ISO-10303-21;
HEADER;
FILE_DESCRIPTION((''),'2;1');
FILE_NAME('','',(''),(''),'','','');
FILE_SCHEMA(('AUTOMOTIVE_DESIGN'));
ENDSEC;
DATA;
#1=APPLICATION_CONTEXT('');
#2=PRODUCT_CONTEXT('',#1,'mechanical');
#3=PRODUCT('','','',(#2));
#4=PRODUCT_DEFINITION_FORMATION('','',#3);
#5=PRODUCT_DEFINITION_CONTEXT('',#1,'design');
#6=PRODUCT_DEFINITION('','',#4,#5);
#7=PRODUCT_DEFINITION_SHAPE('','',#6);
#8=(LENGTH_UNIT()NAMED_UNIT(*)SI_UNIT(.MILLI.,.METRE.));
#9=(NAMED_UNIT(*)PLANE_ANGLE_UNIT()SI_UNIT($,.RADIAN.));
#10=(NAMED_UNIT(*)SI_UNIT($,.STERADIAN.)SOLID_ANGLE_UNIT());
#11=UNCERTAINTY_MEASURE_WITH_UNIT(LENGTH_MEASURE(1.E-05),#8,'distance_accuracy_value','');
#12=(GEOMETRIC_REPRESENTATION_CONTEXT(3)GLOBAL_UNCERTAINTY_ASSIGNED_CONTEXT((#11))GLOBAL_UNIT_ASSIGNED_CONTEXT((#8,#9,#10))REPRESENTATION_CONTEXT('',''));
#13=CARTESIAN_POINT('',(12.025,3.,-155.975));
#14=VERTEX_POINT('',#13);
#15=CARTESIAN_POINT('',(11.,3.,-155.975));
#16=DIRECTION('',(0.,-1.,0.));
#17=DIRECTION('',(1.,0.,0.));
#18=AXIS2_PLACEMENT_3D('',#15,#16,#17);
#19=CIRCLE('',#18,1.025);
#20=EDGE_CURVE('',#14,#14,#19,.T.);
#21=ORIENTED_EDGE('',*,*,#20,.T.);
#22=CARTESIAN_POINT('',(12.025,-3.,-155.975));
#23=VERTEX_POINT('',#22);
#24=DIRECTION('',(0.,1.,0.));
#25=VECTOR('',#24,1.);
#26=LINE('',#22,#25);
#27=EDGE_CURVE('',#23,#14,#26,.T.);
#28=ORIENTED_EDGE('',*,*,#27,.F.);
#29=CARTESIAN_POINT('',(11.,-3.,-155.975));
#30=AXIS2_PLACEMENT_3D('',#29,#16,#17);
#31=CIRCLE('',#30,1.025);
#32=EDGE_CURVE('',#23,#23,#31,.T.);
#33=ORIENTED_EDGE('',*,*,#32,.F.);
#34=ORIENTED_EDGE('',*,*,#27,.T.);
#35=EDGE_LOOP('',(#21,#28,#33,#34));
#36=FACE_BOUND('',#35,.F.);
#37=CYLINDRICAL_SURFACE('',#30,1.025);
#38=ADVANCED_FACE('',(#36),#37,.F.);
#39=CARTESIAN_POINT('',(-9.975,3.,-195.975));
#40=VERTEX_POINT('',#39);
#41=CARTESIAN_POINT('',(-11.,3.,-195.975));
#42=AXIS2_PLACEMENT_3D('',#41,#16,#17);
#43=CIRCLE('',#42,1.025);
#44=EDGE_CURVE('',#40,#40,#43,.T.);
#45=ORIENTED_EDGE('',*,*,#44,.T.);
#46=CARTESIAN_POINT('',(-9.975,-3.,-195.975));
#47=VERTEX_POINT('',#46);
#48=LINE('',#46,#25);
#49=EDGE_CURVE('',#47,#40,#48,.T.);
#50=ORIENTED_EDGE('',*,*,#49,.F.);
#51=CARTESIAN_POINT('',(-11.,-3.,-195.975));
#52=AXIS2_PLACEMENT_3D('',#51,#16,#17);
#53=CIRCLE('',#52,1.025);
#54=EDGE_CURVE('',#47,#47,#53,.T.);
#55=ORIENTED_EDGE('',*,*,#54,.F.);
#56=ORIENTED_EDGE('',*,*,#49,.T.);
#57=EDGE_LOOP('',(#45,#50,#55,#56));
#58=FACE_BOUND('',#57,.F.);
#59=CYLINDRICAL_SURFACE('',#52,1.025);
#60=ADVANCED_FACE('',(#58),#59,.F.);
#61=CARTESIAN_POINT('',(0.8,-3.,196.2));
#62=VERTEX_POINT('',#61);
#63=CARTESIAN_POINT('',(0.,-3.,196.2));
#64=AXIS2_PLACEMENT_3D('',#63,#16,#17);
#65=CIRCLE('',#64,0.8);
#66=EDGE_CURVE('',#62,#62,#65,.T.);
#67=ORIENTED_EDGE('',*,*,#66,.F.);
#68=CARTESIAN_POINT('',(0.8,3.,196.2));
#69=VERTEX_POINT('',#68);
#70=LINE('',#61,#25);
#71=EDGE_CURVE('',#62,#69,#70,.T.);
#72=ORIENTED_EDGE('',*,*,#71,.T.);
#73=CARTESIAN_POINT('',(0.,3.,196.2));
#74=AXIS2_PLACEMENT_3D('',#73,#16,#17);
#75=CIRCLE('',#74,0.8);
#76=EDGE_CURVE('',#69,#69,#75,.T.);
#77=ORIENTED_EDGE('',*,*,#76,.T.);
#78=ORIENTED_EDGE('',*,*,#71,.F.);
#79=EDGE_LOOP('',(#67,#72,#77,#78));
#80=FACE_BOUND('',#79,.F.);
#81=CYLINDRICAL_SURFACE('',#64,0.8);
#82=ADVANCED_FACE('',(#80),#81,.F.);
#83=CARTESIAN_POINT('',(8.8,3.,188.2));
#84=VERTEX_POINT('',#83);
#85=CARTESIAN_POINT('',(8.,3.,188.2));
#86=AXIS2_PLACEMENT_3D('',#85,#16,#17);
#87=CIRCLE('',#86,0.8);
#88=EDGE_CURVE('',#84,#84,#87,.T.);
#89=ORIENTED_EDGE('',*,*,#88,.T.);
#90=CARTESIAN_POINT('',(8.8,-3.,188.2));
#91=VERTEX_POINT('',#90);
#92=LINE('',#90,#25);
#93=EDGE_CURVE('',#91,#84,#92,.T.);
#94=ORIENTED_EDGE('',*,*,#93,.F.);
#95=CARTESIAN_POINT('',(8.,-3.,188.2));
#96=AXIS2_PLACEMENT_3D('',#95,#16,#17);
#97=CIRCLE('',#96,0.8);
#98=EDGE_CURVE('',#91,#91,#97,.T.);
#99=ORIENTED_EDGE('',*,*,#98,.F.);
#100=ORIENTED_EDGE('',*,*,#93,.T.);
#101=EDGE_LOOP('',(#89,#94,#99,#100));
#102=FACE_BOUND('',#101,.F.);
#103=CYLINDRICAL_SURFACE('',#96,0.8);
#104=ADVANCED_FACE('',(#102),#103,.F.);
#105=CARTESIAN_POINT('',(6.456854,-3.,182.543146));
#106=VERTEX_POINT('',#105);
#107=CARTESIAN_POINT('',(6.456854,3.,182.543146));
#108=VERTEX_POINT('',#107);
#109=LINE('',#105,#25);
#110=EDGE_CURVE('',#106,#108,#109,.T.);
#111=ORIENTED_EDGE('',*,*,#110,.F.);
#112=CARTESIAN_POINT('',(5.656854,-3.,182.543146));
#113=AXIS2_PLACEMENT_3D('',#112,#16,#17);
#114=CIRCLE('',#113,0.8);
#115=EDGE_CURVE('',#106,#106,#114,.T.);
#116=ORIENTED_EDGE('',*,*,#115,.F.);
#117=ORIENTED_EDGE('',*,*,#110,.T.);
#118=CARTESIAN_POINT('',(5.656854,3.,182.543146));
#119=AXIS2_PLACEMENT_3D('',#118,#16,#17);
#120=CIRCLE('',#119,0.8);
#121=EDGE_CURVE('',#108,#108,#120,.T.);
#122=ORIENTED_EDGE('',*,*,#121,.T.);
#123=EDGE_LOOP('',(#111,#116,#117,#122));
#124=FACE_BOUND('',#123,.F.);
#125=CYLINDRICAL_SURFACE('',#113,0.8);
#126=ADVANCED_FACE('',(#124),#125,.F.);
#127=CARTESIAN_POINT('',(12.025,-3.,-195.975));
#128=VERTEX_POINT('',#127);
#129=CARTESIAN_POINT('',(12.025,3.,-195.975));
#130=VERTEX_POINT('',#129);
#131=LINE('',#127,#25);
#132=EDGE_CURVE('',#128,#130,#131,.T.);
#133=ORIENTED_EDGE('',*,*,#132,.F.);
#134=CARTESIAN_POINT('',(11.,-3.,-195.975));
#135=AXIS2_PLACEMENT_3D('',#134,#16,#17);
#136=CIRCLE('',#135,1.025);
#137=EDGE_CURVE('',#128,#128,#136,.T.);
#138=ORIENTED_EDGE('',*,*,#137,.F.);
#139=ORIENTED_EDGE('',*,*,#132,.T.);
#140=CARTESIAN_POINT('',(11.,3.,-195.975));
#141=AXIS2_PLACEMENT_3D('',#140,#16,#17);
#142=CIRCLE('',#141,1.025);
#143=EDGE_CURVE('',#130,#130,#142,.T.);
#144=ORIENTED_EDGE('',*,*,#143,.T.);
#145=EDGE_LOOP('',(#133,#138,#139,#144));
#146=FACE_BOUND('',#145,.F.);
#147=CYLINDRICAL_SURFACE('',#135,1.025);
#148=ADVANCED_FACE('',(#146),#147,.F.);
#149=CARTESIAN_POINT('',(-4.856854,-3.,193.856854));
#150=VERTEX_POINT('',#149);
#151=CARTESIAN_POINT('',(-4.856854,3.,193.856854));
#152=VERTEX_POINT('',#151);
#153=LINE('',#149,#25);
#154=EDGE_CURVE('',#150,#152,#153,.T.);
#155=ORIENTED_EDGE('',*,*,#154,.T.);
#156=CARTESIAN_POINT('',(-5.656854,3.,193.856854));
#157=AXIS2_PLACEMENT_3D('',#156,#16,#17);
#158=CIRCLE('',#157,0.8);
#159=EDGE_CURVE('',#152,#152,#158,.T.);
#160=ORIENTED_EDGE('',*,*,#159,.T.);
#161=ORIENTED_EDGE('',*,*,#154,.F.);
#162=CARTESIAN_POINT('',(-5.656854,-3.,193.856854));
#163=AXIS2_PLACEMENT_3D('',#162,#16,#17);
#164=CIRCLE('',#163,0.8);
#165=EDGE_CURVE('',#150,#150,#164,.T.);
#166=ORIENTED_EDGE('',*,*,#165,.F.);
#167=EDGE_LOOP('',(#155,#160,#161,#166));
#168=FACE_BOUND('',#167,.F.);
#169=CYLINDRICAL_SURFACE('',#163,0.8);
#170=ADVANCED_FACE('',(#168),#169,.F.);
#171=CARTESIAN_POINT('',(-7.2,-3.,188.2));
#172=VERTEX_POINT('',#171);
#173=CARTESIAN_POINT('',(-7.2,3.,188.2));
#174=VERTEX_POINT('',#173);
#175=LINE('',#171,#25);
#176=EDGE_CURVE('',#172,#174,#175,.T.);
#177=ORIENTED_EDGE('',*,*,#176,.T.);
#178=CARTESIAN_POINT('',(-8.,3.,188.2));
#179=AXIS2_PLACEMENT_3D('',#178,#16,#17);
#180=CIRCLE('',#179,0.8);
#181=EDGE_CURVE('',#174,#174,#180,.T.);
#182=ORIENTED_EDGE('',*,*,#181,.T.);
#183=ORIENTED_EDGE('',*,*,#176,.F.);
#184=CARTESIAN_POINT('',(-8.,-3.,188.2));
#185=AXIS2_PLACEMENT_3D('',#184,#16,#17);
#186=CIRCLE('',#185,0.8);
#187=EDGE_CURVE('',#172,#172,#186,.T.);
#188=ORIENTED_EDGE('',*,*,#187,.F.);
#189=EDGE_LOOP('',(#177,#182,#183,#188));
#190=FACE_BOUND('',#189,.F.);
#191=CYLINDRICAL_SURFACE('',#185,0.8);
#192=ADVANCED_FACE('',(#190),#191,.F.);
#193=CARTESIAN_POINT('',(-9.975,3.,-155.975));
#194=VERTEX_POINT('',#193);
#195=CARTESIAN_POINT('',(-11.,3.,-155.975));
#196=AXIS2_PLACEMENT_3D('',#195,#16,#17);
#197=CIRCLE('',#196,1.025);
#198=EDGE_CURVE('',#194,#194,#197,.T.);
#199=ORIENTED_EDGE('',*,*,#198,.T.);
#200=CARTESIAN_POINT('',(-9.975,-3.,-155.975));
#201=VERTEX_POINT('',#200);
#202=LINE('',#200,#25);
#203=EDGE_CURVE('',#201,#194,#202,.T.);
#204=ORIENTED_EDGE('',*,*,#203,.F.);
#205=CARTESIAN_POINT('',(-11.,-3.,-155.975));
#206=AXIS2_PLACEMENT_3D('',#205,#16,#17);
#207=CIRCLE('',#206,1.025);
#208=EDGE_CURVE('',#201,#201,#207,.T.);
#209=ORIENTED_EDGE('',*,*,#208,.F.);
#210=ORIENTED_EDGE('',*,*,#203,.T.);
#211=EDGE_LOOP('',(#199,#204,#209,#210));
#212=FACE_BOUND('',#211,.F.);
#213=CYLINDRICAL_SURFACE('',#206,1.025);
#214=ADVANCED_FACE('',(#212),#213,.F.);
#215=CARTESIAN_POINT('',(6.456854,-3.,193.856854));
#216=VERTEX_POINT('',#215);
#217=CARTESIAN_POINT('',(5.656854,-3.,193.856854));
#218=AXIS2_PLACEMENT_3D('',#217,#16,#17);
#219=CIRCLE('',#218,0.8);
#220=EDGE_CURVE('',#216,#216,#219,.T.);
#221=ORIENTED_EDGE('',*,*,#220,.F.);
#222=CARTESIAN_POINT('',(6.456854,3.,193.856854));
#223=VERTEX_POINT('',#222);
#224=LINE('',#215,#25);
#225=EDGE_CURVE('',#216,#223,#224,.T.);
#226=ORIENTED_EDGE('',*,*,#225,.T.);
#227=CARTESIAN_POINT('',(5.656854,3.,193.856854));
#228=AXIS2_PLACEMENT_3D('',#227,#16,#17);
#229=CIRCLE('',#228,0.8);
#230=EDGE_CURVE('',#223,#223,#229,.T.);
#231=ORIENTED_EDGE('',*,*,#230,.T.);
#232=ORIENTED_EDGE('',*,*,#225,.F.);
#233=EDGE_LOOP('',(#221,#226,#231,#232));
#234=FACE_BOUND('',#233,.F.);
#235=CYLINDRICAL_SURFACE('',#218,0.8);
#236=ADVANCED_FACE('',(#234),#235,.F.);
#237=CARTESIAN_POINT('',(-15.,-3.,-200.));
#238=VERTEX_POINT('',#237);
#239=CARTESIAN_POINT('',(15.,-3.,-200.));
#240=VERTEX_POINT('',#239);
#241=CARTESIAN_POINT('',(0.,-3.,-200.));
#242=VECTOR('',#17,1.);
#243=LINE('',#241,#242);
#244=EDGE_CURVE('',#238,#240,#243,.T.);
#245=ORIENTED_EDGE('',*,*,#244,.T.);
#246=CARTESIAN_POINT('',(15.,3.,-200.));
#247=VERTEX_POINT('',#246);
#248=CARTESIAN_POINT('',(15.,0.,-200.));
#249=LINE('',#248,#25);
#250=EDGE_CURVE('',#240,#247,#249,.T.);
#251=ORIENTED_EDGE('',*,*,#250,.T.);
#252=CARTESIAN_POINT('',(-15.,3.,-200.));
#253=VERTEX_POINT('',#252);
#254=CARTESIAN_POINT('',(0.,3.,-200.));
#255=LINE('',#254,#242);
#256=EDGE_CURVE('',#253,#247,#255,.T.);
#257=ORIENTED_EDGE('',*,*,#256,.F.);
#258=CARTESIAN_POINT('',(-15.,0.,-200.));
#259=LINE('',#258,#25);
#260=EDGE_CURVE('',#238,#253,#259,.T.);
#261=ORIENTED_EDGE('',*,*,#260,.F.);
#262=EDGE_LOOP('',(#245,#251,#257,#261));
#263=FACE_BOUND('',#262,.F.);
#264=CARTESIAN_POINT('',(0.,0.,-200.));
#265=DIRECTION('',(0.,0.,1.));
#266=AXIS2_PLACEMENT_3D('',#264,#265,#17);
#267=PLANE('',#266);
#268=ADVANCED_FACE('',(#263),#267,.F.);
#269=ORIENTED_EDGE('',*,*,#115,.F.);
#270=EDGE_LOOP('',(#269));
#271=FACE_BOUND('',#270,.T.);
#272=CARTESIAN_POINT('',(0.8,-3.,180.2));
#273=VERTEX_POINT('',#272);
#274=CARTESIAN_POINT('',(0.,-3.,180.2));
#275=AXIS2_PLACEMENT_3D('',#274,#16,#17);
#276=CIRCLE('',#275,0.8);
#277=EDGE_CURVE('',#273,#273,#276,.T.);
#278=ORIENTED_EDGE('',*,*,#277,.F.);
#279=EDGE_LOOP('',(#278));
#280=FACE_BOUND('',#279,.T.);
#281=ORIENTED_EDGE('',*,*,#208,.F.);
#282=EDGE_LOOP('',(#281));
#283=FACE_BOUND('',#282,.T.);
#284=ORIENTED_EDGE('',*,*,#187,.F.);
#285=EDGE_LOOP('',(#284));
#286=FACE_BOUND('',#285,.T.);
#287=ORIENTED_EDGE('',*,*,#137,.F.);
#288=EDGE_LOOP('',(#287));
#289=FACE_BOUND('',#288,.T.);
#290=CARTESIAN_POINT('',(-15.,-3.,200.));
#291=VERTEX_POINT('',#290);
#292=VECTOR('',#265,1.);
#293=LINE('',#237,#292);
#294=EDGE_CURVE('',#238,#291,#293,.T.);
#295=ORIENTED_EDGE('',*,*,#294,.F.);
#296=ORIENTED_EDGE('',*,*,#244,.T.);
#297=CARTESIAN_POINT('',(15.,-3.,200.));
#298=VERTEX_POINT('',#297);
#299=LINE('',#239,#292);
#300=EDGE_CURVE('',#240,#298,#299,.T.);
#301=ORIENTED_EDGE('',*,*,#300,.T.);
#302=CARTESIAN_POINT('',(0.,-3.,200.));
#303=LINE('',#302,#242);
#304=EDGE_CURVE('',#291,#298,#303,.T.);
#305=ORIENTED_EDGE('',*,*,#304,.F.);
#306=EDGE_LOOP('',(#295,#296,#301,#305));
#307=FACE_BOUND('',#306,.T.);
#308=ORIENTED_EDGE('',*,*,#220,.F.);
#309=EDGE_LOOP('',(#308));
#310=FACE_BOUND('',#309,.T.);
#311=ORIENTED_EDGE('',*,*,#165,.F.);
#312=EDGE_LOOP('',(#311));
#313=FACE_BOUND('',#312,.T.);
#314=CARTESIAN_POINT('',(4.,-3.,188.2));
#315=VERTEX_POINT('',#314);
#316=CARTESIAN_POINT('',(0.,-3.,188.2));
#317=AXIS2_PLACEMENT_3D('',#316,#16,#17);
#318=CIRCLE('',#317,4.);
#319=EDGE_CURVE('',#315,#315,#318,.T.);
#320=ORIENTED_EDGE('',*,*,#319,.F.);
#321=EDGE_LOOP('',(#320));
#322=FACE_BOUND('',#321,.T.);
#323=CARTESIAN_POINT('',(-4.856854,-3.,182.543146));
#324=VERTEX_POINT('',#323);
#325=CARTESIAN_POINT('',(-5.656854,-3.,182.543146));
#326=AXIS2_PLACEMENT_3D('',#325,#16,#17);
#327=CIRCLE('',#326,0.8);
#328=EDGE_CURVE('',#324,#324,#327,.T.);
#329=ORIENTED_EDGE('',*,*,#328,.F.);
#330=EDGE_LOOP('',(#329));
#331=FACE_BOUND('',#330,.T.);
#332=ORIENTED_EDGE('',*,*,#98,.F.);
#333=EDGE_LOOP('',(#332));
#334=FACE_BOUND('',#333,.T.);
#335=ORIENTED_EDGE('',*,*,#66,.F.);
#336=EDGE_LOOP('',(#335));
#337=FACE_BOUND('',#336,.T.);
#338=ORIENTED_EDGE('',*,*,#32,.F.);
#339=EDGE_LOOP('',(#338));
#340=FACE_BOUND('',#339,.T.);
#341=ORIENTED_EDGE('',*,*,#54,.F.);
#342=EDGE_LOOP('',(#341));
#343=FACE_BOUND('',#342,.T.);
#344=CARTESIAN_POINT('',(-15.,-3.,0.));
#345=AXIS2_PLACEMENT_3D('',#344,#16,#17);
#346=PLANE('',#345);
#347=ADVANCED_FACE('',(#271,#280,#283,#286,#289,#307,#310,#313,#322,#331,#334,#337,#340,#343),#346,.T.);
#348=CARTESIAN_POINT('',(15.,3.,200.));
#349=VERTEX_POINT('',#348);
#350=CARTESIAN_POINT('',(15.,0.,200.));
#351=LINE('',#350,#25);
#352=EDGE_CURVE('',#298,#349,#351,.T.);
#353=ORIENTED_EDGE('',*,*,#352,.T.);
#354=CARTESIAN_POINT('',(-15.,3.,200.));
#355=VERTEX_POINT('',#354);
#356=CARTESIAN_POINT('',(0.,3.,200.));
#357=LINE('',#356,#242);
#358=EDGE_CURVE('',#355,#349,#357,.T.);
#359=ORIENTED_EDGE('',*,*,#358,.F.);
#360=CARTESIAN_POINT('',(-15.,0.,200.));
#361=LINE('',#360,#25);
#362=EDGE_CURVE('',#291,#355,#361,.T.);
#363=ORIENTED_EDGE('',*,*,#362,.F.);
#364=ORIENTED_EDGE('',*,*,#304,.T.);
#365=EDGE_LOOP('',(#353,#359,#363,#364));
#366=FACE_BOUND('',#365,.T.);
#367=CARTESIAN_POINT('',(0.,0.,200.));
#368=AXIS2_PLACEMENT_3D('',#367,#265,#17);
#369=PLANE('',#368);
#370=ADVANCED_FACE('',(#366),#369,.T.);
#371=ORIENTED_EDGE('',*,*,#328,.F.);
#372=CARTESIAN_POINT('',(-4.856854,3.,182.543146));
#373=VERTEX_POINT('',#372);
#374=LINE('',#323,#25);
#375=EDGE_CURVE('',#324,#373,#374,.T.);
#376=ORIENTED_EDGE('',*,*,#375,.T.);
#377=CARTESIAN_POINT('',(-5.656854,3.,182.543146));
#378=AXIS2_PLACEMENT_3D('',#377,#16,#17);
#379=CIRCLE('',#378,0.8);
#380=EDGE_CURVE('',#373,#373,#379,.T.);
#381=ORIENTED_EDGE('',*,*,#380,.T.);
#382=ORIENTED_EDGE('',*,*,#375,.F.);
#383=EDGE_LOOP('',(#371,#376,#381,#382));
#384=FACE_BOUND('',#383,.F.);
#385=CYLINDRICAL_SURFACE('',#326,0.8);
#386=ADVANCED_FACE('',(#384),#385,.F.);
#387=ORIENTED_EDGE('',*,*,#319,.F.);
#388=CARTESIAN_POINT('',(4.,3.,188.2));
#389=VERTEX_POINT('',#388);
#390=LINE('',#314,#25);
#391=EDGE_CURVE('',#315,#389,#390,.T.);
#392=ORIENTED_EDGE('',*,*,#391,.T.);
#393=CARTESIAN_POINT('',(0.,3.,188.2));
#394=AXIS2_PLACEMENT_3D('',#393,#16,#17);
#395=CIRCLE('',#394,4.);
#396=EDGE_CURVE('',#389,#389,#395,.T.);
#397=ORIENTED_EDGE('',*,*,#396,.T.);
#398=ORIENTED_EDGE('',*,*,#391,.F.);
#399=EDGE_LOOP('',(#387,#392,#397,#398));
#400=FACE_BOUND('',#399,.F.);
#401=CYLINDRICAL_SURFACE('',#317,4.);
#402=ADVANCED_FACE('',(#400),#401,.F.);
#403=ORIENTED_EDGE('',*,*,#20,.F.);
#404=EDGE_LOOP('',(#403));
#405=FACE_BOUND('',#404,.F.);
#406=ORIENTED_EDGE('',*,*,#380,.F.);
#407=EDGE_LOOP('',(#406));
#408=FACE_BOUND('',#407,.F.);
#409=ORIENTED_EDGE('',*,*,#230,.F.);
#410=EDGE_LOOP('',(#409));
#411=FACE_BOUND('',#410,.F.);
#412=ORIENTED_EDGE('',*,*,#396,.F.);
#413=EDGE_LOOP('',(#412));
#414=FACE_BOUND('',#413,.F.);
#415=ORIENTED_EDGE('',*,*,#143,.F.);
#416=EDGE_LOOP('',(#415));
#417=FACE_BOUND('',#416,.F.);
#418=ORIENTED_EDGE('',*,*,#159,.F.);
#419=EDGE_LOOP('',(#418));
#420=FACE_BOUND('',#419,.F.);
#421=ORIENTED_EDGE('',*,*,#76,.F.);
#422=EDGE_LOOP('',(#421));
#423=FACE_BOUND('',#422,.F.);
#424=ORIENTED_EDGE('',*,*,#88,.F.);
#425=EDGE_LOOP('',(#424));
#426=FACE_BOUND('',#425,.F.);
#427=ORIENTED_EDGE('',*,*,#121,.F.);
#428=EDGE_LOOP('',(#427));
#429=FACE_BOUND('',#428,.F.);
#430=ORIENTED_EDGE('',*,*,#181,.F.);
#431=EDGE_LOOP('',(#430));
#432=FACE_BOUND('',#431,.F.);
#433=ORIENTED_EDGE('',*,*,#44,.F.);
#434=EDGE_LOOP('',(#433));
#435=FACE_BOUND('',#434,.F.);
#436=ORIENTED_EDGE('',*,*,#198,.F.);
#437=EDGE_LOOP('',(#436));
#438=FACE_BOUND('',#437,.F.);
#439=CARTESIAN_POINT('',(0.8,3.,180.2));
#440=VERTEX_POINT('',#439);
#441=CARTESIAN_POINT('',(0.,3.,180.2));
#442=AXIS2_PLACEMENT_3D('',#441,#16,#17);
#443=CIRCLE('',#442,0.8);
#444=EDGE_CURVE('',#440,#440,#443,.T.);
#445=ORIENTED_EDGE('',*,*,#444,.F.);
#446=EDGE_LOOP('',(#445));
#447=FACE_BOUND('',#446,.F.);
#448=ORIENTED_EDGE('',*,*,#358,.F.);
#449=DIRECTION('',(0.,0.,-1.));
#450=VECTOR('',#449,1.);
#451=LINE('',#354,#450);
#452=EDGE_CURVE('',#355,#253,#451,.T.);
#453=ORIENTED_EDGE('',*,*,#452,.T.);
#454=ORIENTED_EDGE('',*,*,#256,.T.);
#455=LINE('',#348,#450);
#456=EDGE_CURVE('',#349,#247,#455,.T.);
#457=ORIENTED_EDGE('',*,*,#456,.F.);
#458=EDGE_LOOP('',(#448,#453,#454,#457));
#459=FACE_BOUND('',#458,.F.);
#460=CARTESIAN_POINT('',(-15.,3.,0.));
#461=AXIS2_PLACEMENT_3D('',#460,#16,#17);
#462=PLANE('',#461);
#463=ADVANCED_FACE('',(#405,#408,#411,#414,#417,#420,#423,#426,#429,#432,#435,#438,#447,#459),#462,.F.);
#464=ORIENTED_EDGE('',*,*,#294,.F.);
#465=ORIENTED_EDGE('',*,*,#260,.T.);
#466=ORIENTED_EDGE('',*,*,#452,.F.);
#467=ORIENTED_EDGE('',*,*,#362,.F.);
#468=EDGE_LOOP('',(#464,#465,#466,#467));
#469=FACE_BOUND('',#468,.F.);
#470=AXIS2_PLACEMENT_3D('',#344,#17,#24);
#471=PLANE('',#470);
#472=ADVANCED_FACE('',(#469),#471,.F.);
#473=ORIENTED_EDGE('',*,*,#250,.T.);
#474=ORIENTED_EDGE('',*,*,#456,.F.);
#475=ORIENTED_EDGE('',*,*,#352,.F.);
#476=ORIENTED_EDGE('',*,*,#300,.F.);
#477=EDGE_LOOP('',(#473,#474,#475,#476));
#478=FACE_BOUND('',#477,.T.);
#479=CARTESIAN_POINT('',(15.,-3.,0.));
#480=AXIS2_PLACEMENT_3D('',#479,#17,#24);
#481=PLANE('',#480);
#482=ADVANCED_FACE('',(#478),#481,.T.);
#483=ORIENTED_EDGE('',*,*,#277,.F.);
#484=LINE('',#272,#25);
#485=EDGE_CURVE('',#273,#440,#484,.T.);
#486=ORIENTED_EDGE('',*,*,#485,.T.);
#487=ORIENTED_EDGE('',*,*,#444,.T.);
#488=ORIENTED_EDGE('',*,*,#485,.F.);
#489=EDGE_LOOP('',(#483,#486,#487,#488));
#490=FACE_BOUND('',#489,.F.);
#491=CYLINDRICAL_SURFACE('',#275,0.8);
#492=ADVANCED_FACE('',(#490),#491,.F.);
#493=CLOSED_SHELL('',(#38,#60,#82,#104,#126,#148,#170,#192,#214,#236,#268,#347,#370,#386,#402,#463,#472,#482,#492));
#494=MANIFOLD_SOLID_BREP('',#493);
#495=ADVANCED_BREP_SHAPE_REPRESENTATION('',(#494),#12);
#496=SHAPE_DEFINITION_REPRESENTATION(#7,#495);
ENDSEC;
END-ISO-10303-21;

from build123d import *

# Parameters (mm, degrees)
F0_W     = 30
F0_H     = 6
F1_DEPTH = 200
F2_R     = 0.8
F2_R_2   = 4
F2_R_3   = 1.025
F3_DEPTH = 6


with BuildPart() as f1:
    # F0 (on Top) → F1 (new body, symmetric)
    with BuildSketch(Plane.XY):
        Rectangle(F0_W, F0_H)
    extrude(amount=F1_DEPTH, both=True)

    # F2 (on face) → F3 (cut, through all)
    with BuildSketch(Plane.XZ.offset(3)):
        with Locations((0, 196.2)):
            Circle(F2_R)
        with Locations((0, 188.2)):
            Circle(F2_R_2)
        with Locations((-5.656854, 193.856854)):
            Circle(F2_R)
        with Locations((-8, 188.2)):
            Circle(F2_R)
        with Locations((-5.656854, 182.543146)):
            Circle(F2_R)
        with Locations((0, 180.2)):
            Circle(F2_R)
        with Locations((5.656854, 182.543146)):
            Circle(F2_R)
        with Locations((8, 188.2)):
            Circle(F2_R)
        with Locations((5.656854, 193.856854)):
            Circle(F2_R)
        with Locations((11, -195.975)):
            Circle(F2_R_3)
        with Locations((11, -155.975)):
            Circle(F2_R_3)
        with Locations((-11, -155.975)):
            Circle(F2_R_3)
        with Locations((-11, -195.975)):
            Circle(F2_R_3)
    extrude(amount=-F3_DEPTH, mode=Mode.SUBTRACT)


solid = f1.part
